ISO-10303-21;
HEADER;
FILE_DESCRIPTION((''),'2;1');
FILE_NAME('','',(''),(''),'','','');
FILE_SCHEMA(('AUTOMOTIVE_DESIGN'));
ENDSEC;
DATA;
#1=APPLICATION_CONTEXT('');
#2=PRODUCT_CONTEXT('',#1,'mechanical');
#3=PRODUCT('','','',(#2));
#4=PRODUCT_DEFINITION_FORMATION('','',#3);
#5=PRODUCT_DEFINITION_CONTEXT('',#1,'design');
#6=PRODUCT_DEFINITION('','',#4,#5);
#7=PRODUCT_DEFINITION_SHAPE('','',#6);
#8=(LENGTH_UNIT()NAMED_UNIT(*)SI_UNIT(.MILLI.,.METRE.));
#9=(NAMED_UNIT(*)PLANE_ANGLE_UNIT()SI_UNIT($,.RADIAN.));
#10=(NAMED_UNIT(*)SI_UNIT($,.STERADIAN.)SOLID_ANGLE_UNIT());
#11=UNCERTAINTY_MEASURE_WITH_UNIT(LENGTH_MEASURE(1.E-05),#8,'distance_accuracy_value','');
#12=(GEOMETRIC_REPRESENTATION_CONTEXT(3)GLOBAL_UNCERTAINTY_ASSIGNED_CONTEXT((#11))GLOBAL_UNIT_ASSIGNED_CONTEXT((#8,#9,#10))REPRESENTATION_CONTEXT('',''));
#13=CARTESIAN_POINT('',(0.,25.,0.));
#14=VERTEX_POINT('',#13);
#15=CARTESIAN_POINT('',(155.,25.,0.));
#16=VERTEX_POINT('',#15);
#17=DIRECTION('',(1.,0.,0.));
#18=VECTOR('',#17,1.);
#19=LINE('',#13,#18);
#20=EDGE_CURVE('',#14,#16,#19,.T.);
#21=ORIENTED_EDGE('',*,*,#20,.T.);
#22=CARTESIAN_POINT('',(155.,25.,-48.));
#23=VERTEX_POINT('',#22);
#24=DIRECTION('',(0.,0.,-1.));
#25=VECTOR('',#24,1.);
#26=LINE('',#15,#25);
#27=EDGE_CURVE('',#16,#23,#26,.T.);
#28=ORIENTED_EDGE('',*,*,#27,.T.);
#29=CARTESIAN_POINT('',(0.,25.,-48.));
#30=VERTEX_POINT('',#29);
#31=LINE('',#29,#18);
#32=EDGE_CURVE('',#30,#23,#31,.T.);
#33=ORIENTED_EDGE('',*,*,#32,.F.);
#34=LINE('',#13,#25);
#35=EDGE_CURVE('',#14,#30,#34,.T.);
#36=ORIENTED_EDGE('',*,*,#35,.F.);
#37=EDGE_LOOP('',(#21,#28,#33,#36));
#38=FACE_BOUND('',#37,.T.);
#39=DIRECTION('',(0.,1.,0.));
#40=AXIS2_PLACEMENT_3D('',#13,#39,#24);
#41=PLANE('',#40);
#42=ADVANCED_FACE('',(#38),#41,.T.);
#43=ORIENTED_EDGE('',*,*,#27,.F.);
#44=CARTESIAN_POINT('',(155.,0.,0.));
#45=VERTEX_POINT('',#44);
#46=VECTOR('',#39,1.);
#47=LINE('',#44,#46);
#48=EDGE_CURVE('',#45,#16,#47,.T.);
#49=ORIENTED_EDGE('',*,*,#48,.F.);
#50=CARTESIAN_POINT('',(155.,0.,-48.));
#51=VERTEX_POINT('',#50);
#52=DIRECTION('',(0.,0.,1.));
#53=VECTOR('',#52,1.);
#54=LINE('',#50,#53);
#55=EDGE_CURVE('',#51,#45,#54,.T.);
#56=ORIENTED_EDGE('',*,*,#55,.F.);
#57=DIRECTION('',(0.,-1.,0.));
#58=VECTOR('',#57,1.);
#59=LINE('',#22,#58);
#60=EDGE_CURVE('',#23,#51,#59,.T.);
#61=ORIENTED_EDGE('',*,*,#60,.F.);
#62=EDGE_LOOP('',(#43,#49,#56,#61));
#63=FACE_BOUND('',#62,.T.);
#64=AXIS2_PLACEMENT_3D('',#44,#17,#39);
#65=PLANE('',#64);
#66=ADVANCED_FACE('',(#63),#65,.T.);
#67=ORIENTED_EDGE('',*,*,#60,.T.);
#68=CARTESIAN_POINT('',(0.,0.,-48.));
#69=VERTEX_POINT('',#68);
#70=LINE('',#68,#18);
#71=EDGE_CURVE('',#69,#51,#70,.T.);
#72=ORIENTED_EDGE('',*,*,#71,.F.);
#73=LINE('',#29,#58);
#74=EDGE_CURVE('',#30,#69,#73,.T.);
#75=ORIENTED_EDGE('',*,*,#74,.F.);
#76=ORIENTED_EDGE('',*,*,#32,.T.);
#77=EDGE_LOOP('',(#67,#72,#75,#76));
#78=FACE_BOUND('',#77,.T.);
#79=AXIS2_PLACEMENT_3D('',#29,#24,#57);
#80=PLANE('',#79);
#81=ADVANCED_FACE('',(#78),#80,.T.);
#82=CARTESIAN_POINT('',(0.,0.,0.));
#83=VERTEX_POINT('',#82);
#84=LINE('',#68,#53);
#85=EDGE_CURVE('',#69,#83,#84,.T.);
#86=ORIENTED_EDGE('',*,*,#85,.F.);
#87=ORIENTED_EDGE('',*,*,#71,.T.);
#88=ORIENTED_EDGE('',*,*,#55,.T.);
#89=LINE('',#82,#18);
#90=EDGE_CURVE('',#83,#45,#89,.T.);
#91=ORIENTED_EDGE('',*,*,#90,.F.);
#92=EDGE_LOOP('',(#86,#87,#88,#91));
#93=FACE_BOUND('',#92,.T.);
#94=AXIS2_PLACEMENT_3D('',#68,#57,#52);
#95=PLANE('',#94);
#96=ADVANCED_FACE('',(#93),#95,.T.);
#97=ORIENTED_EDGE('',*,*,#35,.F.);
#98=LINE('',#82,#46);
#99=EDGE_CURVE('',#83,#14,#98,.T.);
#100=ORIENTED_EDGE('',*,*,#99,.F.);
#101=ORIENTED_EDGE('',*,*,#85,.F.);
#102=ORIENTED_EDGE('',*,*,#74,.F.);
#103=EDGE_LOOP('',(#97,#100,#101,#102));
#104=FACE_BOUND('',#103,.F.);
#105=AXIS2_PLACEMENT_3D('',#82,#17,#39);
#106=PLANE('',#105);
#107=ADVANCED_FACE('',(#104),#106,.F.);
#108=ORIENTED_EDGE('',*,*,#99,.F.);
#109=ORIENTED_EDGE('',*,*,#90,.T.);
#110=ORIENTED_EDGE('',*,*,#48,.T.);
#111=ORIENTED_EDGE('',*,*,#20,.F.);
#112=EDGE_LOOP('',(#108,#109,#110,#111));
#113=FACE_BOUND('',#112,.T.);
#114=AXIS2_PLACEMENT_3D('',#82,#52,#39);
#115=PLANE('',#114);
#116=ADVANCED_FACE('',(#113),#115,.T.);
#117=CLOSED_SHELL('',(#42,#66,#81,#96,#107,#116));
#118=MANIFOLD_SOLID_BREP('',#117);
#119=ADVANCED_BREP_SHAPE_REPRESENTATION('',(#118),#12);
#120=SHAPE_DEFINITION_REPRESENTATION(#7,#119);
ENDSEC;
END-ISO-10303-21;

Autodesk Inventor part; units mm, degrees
ref_plane "YZ Plane" through (0, 0, 0) normal (1, 0, 0) x (0, 1, 0)
ref_plane "XZ Plane" through (0, 0, 0) normal (0, 1, 0) x (-1, 0, 0)
ref_plane "XY Plane" through (0, 0, 0) normal (0, 0, 1) x (1, 0, 0)
sketch "Sketch1" plane through (0, 0, 0) normal (1, 0, 0) x (0, 1, 0)
  point P0 (0, 0)
sketch "Sketch2" plane through (0, 0, 0) normal (1, 0, 0) x (0, 1, 0)
  line L0 (0, 0) -> (25, 0)
  line L1 (25, 0) -> (25, -48)
  line L2 (25, -48) -> (0, -48)
  line L3 (0, -48) -> (0, 0)
  dimension "d0" = 25
  dimension "d1" = 48
extrude "Extrusion1" add sketch "Sketch2" along normal blind 155
properties part number "battery_12"
